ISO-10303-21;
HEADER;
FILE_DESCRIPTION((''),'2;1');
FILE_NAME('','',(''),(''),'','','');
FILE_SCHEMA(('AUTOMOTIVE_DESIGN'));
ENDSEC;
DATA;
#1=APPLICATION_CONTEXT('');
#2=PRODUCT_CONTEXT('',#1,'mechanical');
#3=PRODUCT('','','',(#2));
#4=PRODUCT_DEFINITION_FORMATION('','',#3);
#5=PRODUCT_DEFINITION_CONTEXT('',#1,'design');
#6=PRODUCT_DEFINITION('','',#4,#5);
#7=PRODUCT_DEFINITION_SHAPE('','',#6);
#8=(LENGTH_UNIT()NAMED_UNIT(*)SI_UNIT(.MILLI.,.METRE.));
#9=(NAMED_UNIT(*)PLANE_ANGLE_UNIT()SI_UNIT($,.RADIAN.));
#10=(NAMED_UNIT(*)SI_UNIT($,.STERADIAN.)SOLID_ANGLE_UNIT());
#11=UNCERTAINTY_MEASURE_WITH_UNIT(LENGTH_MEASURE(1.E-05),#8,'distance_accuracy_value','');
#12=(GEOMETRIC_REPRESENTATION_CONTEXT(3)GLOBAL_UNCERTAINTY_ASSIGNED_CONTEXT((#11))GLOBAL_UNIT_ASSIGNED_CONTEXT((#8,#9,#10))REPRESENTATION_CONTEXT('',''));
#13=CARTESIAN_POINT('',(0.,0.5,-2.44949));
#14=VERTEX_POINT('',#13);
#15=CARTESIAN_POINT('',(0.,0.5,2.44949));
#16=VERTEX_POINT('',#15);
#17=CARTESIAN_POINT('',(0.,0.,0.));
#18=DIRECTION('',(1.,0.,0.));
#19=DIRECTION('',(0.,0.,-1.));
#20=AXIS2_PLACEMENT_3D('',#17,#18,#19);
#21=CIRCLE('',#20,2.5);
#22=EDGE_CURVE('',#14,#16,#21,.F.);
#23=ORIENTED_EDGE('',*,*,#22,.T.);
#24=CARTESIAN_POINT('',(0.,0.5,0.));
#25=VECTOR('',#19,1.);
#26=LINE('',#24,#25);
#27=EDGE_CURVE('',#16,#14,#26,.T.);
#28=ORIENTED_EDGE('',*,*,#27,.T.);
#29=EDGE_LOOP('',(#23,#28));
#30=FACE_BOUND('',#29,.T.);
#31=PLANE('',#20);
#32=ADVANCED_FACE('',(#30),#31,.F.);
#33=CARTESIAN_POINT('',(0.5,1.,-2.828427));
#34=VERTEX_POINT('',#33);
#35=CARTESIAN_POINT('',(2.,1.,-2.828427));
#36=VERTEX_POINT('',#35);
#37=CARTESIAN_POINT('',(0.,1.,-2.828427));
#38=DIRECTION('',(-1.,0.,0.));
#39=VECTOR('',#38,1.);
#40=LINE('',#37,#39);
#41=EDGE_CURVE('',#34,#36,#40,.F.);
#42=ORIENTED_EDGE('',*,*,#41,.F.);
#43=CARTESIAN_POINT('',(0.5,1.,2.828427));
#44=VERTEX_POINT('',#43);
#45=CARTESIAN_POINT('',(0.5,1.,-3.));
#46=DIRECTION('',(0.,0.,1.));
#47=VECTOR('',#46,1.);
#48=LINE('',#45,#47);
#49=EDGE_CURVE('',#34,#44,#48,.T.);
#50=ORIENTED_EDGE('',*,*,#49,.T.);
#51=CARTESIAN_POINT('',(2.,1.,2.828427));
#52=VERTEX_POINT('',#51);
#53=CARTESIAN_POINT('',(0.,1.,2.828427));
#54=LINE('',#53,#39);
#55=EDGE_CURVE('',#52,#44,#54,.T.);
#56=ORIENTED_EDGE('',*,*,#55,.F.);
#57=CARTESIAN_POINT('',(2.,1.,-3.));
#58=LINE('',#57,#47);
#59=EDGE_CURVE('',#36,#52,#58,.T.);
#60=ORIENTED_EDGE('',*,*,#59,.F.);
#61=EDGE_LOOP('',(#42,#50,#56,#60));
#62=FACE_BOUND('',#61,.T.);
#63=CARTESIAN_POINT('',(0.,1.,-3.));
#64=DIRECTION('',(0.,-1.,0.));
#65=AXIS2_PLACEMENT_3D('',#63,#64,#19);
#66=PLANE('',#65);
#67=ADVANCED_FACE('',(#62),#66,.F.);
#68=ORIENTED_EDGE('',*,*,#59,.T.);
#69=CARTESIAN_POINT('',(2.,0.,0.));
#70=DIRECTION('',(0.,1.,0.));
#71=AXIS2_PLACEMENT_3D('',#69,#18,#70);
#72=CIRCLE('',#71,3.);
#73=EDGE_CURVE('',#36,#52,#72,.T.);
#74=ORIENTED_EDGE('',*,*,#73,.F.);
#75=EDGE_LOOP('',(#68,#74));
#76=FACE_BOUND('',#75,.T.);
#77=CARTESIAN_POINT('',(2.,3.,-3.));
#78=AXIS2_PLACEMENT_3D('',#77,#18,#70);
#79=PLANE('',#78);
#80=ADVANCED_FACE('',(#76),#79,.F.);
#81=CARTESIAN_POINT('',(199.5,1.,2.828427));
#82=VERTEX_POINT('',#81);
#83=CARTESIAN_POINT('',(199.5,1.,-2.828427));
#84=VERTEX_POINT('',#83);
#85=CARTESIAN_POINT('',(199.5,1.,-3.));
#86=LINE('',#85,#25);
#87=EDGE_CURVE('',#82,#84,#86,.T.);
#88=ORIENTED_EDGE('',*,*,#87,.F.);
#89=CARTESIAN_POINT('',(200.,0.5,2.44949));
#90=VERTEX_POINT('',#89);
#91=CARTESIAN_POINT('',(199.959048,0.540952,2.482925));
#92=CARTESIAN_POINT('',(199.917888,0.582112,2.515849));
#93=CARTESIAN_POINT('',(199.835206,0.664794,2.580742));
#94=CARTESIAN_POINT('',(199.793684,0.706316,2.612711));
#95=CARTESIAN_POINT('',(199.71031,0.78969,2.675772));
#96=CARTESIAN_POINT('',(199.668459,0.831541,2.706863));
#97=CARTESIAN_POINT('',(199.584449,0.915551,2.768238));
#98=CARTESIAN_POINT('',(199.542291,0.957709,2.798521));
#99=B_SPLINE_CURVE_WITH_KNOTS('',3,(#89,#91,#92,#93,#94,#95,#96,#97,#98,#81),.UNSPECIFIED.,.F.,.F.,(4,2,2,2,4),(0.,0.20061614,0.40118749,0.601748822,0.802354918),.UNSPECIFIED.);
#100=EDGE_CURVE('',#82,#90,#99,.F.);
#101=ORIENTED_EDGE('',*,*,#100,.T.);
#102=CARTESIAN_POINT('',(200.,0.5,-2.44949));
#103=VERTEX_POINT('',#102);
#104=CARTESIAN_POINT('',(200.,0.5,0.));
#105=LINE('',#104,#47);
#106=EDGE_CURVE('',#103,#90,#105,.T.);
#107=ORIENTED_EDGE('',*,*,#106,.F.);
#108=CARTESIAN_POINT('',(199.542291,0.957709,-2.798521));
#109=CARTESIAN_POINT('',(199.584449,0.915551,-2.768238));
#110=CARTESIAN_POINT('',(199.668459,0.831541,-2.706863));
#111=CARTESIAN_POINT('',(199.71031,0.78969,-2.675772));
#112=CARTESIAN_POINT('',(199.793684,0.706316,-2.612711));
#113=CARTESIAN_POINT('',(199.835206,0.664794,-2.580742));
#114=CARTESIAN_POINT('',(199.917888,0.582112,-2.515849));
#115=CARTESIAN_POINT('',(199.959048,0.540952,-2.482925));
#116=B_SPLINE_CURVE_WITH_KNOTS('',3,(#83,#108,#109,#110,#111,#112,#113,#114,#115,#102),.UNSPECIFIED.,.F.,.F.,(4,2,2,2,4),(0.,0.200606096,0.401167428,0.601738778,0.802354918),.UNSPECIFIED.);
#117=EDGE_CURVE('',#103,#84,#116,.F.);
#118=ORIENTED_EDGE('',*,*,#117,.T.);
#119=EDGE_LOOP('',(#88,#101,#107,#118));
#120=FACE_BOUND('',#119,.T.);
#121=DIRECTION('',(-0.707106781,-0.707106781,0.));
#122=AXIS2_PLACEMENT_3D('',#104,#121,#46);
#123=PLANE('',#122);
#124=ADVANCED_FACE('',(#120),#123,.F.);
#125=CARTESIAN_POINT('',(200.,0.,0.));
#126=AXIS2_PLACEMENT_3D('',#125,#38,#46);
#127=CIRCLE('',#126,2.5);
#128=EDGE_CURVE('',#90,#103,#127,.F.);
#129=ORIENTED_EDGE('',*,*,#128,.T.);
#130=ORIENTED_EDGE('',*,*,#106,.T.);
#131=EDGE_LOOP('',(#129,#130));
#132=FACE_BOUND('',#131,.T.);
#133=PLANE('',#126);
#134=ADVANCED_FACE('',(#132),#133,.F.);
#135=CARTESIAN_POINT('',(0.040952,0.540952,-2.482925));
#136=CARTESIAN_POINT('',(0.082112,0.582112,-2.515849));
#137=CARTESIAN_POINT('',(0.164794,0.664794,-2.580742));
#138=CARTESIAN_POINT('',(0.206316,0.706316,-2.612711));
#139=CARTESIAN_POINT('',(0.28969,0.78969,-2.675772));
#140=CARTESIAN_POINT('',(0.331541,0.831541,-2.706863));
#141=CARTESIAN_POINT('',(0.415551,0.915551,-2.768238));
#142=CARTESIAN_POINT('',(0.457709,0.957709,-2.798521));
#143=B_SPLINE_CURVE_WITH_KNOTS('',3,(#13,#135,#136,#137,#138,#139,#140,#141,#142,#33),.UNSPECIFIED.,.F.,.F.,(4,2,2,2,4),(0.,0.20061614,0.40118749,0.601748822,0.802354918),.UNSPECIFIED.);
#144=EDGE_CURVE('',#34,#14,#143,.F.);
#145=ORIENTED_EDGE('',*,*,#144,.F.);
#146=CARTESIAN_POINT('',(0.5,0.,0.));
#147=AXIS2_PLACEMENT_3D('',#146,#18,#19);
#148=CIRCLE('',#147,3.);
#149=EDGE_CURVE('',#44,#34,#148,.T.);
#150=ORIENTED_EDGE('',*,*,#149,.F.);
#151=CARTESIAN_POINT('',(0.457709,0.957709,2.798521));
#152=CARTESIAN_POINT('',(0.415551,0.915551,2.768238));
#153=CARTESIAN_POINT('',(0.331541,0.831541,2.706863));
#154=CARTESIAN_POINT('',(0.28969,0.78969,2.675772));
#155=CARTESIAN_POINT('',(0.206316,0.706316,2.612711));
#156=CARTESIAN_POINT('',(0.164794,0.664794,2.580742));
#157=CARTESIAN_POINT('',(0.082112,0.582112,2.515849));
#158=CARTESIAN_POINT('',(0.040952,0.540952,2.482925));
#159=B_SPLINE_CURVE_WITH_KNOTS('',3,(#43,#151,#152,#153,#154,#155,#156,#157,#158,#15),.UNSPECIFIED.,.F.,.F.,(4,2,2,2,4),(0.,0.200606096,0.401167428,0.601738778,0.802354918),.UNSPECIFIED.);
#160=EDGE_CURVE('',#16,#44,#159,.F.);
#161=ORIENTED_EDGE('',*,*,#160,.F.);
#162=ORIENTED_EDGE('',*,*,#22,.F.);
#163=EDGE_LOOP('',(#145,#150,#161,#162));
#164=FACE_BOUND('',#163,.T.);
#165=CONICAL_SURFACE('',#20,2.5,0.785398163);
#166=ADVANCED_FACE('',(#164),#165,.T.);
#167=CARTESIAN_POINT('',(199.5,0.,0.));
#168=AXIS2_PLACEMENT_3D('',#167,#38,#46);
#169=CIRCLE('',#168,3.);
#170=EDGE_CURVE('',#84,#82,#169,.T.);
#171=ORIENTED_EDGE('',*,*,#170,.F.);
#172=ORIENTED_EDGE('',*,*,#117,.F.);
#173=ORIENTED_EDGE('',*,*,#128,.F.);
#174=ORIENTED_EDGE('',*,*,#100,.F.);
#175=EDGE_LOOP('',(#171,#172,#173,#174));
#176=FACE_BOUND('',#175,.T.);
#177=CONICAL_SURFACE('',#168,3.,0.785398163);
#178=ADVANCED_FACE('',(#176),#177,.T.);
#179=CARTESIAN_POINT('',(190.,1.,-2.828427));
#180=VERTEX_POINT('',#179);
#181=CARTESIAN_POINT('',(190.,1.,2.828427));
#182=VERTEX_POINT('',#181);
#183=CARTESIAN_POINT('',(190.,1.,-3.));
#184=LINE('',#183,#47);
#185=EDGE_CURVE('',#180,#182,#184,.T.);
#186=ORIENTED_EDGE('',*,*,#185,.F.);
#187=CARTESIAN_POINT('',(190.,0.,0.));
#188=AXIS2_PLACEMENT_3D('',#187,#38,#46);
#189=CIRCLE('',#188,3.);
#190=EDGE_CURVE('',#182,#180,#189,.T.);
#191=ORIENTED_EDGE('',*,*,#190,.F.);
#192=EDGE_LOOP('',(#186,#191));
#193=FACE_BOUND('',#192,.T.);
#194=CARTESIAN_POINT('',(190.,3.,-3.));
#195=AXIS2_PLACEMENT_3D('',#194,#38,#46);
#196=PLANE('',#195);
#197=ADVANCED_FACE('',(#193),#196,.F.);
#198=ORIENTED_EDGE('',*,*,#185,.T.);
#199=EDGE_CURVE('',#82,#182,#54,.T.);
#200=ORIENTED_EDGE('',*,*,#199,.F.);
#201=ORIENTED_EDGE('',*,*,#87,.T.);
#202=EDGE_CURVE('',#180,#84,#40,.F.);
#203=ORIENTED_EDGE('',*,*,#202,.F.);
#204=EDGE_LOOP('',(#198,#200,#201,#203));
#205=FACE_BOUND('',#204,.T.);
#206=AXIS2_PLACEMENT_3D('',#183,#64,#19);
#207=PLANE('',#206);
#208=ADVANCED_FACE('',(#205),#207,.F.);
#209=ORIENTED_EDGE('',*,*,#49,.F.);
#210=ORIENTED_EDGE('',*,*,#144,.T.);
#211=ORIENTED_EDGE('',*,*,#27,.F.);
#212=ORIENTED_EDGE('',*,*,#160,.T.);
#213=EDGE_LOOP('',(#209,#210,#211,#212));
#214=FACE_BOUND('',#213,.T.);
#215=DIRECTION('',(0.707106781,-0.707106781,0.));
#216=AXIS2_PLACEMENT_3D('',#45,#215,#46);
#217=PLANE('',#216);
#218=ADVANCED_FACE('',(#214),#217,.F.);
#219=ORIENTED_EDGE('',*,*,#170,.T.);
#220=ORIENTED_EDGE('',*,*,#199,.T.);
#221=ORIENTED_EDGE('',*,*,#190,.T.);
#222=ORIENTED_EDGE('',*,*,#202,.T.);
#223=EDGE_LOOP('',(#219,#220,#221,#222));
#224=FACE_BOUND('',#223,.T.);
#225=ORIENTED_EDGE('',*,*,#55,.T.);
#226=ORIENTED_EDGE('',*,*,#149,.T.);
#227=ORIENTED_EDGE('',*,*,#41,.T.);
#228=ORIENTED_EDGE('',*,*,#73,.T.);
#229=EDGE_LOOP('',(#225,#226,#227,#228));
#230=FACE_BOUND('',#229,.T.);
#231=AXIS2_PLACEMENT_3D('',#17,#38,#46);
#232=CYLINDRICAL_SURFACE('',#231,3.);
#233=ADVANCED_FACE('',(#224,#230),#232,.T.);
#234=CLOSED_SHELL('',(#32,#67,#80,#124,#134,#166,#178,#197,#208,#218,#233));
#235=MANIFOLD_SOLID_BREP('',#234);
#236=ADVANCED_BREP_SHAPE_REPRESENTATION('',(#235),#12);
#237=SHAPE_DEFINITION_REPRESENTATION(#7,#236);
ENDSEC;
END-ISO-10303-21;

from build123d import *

# Parameters (mm, degrees)
SKETCH1_W               = 200
SKETCH1_H               = 3
CUT_EXTRUDE1_DEPTH      = 201.044994939
CUT_EXTRUDE1_DEPTH_BACK = 201.044994939
SKETCH2_W               = 2
SKETCH2_H               = 2
SKETCH2_W_2             = 10
CHAMFER1_SIZE           = 0.5


with BuildPart() as part:
    # Sketch1 → Revolve1 (revolve)
    with BuildSketch(Plane.XY, mode=Mode.PRIVATE) as revolve1_sk:
        with Locations((100, 1.5)):
            Rectangle(SKETCH1_W, SKETCH1_H)
    revolve(revolve1_sk.sketch.rotate(Axis((0, 0, 0), (1, 0, 0)), 90), axis=Axis((0, 0, 0), (1, 0, 0)))

    # Sketch2 → Cut-Extrude1 (cut, two sides: drawn at the far end of the back side and taken through both)
    with BuildSketch(Plane.XY.offset(-CUT_EXTRUDE1_DEPTH_BACK)):
        with Locations((1, 2)):
            Rectangle(SKETCH2_W, SKETCH2_H)
        with Locations((195, 2)):
            Rectangle(SKETCH2_W_2, SKETCH2_H)
    extrude(amount=CUT_EXTRUDE1_DEPTH + CUT_EXTRUDE1_DEPTH_BACK, mode=Mode.SUBTRACT)

    # Chamfer1
    chamfer1_edges = [part.edges().sort_by_distance(p)[0] for p in [
        (0, 1, 0),
        (200, -2.956795679, -0.507305936),
        (200, 1, 0),
        (0, -2.956795679, -0.507305936),
    ]]
    chamfer(chamfer1_edges, length=CHAMFER1_SIZE)


solid = part.part
